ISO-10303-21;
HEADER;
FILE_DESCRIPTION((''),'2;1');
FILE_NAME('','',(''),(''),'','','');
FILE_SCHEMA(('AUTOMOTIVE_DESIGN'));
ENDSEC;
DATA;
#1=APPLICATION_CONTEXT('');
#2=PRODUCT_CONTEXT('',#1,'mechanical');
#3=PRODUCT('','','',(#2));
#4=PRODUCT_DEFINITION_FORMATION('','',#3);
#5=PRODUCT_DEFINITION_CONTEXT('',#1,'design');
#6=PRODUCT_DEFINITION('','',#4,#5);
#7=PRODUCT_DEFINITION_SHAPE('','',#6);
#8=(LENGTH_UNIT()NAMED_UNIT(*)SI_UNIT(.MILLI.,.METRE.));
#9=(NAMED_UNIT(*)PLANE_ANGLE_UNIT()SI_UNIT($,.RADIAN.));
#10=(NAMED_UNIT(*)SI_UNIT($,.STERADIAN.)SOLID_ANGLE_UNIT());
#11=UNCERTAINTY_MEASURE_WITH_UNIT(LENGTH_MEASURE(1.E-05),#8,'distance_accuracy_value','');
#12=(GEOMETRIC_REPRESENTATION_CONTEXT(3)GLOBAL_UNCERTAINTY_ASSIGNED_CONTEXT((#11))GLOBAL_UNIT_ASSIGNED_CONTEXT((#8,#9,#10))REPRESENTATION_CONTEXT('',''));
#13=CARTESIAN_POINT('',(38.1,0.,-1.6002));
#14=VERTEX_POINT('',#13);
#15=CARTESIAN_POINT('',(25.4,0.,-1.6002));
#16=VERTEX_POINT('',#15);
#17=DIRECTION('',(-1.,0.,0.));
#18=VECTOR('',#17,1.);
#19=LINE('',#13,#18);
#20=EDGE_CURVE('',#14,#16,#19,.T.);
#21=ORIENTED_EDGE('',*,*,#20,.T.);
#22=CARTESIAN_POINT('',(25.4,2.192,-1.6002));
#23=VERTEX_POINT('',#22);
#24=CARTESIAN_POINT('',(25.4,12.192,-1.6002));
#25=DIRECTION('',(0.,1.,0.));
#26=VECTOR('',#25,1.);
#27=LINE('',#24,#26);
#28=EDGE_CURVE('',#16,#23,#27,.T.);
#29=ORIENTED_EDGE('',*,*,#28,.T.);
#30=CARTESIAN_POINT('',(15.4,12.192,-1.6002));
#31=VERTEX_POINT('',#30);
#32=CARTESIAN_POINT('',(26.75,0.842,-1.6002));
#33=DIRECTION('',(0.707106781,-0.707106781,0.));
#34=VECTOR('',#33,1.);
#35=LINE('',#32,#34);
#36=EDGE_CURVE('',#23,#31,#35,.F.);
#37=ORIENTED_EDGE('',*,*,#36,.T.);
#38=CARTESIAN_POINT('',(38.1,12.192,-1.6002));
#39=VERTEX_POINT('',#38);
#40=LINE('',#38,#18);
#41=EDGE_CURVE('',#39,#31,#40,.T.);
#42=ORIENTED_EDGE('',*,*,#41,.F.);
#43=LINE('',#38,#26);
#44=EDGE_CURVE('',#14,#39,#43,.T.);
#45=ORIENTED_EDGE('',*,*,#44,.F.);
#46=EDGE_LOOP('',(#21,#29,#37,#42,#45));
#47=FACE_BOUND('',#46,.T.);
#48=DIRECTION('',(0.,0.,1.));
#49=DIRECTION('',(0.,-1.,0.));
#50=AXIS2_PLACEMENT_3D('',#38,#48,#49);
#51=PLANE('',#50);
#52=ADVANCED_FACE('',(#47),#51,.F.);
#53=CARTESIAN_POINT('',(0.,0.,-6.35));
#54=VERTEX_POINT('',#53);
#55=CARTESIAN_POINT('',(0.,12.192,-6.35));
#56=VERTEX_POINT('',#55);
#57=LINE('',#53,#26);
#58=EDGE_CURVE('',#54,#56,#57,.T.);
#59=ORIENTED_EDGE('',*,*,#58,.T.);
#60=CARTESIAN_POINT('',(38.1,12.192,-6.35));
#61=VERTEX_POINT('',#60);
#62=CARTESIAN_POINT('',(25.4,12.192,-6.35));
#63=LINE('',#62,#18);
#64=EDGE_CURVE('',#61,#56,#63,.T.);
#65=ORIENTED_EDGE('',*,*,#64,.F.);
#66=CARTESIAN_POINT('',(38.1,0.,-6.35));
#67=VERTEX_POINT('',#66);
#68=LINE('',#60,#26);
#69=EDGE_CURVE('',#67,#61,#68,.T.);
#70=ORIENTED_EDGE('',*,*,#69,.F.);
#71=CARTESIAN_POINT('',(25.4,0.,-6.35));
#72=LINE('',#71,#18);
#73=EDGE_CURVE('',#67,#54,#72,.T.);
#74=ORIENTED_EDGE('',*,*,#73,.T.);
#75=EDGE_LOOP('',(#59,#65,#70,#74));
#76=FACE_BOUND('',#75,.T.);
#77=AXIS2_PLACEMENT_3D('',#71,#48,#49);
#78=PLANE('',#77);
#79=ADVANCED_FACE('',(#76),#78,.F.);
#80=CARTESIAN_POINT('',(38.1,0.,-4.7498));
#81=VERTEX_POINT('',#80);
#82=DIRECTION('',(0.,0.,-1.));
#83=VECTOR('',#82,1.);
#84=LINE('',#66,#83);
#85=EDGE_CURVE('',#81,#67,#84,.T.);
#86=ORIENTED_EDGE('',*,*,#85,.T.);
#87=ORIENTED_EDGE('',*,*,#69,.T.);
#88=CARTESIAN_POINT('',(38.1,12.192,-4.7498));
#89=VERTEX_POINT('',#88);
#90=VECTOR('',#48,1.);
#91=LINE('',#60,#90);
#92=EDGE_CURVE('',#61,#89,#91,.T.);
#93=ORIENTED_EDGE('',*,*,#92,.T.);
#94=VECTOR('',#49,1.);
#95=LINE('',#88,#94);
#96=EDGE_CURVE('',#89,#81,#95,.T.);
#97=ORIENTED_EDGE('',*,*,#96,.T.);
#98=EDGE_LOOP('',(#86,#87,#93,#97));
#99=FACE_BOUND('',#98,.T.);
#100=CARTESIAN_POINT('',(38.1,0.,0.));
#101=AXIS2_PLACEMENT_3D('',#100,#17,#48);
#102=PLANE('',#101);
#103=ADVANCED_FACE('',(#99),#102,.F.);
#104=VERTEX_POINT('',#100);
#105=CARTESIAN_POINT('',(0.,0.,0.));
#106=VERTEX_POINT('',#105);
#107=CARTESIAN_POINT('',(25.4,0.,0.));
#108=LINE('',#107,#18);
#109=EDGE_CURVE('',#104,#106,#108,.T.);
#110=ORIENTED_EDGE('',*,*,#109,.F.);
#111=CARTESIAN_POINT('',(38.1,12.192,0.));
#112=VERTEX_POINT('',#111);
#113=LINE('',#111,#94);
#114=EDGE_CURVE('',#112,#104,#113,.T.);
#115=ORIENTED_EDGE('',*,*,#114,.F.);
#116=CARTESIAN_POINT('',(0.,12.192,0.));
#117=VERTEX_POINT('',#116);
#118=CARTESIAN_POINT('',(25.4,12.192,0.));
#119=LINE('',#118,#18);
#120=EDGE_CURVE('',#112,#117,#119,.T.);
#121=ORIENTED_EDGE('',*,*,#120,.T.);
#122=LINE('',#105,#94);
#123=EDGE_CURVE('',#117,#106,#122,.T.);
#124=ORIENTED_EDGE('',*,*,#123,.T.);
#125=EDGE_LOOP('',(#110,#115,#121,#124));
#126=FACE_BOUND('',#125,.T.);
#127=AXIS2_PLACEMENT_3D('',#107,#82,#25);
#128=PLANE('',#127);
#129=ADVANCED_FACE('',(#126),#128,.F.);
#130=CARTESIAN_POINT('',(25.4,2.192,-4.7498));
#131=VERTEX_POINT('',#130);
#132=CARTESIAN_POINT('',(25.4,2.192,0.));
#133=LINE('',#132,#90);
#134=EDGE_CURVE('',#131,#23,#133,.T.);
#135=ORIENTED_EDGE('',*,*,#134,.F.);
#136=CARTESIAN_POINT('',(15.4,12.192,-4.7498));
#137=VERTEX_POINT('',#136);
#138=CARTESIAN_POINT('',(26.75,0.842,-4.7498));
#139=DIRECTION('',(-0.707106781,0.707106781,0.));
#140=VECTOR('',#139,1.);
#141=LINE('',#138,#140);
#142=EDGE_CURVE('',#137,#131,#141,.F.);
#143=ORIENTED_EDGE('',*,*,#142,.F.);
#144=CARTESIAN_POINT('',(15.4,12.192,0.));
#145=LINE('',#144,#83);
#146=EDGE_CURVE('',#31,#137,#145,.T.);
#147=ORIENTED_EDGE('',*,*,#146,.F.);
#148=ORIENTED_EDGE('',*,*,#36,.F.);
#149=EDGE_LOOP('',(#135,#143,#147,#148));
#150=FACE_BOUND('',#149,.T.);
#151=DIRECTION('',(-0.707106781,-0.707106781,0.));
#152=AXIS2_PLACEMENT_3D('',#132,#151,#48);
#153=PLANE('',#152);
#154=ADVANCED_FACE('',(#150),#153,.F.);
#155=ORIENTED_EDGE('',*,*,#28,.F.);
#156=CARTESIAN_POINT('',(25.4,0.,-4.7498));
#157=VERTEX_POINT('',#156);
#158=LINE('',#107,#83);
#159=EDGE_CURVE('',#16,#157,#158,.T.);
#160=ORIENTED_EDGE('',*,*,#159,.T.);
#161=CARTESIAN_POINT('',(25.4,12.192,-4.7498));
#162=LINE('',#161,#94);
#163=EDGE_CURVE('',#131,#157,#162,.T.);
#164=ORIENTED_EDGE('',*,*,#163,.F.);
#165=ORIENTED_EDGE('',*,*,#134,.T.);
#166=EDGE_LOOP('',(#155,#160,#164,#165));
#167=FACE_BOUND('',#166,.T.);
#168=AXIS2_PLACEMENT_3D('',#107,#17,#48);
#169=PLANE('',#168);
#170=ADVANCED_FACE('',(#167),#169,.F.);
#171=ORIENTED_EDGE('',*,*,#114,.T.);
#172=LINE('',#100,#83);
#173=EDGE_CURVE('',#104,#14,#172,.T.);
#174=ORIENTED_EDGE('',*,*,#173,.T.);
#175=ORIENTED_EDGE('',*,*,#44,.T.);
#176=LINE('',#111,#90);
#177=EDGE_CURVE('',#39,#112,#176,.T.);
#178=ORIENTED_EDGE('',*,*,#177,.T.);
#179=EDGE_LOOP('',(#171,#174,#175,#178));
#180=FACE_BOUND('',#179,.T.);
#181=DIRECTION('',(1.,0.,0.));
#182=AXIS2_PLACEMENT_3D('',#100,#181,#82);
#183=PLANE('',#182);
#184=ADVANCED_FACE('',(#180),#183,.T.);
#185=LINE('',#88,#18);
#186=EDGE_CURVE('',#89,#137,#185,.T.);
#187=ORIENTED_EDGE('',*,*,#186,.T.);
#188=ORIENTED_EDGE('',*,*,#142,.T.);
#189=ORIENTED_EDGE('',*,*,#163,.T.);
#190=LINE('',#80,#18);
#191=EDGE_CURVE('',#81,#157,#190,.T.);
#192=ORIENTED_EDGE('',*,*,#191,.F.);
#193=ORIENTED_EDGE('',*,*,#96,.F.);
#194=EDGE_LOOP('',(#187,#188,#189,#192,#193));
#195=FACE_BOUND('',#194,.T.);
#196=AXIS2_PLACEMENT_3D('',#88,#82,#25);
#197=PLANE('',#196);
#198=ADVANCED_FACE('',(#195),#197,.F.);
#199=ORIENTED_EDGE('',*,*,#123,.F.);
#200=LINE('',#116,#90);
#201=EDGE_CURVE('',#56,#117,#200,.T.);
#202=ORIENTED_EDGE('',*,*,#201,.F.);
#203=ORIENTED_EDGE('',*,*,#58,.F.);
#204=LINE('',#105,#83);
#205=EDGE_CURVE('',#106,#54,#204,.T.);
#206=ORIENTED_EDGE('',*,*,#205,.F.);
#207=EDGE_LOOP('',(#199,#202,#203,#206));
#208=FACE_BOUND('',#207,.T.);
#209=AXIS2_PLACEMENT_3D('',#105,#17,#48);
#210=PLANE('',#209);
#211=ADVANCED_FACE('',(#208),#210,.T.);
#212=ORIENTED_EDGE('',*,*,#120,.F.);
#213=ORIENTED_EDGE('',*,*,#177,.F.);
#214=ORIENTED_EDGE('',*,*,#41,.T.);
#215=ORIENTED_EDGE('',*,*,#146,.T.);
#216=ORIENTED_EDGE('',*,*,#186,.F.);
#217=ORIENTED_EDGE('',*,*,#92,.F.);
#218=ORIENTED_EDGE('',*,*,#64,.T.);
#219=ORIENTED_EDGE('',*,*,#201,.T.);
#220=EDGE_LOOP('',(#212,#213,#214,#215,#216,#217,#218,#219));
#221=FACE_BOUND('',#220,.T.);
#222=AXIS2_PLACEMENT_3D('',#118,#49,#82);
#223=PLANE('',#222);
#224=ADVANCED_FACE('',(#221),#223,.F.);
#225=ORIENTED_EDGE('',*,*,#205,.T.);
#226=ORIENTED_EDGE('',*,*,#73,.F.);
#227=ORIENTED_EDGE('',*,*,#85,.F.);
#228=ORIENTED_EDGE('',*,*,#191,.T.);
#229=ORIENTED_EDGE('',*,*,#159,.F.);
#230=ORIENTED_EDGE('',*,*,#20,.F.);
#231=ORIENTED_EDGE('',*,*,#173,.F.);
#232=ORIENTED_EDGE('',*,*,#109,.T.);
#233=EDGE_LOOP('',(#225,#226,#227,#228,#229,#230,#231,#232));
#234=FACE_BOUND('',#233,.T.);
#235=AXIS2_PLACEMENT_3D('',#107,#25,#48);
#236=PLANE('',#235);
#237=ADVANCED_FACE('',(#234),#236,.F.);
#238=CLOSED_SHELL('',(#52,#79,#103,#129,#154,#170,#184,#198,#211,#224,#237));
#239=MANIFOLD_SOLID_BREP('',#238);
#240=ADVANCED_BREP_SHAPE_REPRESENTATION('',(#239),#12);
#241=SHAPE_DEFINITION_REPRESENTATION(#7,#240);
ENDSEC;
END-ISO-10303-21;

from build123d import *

# Parameters (mm, degrees)
SKETCH1_W           = 6.35
SKETCH1_H           = 12.192
BOSS_EXTRUDE1_DEPTH = 25.4
SKETCH2_W           = 1.6002
SKETCH2_H           = 12.192
BOSS_EXTRUDE2_DEPTH = 12.7
CHAMFER1_SIZE       = 10


with BuildPart() as part:
    # Sketch1 → Boss-Extrude1 (new body)
    with BuildSketch(Plane(origin=(0, 0, 0), x_dir=(0, 0, -1), z_dir=(1, 0, 0))):
        with Locations((3.175, 6.096)):
            Rectangle(SKETCH1_W, SKETCH1_H)
    extrude(amount=BOSS_EXTRUDE1_DEPTH)

    # Sketch2 → Boss-Extrude2 (add)
    with BuildSketch(Plane(origin=(25.4, 0, 0), x_dir=(0, 0, -1), z_dir=(1, 0, 0))):
        with Locations((0.8001, 6.096)):
            Rectangle(SKETCH2_W, SKETCH2_H)
        with Locations((5.5499, 6.096)):
            Rectangle(SKETCH2_W, SKETCH2_H)
    extrude(amount=BOSS_EXTRUDE2_DEPTH)

    # Chamfer1
    chamfer1_edges = [part.edges().sort_by_distance(p)[0] for p in [
        (25.4, 12.192, -3.175),
    ]]
    chamfer(chamfer1_edges, length=CHAMFER1_SIZE)


solid = part.part
